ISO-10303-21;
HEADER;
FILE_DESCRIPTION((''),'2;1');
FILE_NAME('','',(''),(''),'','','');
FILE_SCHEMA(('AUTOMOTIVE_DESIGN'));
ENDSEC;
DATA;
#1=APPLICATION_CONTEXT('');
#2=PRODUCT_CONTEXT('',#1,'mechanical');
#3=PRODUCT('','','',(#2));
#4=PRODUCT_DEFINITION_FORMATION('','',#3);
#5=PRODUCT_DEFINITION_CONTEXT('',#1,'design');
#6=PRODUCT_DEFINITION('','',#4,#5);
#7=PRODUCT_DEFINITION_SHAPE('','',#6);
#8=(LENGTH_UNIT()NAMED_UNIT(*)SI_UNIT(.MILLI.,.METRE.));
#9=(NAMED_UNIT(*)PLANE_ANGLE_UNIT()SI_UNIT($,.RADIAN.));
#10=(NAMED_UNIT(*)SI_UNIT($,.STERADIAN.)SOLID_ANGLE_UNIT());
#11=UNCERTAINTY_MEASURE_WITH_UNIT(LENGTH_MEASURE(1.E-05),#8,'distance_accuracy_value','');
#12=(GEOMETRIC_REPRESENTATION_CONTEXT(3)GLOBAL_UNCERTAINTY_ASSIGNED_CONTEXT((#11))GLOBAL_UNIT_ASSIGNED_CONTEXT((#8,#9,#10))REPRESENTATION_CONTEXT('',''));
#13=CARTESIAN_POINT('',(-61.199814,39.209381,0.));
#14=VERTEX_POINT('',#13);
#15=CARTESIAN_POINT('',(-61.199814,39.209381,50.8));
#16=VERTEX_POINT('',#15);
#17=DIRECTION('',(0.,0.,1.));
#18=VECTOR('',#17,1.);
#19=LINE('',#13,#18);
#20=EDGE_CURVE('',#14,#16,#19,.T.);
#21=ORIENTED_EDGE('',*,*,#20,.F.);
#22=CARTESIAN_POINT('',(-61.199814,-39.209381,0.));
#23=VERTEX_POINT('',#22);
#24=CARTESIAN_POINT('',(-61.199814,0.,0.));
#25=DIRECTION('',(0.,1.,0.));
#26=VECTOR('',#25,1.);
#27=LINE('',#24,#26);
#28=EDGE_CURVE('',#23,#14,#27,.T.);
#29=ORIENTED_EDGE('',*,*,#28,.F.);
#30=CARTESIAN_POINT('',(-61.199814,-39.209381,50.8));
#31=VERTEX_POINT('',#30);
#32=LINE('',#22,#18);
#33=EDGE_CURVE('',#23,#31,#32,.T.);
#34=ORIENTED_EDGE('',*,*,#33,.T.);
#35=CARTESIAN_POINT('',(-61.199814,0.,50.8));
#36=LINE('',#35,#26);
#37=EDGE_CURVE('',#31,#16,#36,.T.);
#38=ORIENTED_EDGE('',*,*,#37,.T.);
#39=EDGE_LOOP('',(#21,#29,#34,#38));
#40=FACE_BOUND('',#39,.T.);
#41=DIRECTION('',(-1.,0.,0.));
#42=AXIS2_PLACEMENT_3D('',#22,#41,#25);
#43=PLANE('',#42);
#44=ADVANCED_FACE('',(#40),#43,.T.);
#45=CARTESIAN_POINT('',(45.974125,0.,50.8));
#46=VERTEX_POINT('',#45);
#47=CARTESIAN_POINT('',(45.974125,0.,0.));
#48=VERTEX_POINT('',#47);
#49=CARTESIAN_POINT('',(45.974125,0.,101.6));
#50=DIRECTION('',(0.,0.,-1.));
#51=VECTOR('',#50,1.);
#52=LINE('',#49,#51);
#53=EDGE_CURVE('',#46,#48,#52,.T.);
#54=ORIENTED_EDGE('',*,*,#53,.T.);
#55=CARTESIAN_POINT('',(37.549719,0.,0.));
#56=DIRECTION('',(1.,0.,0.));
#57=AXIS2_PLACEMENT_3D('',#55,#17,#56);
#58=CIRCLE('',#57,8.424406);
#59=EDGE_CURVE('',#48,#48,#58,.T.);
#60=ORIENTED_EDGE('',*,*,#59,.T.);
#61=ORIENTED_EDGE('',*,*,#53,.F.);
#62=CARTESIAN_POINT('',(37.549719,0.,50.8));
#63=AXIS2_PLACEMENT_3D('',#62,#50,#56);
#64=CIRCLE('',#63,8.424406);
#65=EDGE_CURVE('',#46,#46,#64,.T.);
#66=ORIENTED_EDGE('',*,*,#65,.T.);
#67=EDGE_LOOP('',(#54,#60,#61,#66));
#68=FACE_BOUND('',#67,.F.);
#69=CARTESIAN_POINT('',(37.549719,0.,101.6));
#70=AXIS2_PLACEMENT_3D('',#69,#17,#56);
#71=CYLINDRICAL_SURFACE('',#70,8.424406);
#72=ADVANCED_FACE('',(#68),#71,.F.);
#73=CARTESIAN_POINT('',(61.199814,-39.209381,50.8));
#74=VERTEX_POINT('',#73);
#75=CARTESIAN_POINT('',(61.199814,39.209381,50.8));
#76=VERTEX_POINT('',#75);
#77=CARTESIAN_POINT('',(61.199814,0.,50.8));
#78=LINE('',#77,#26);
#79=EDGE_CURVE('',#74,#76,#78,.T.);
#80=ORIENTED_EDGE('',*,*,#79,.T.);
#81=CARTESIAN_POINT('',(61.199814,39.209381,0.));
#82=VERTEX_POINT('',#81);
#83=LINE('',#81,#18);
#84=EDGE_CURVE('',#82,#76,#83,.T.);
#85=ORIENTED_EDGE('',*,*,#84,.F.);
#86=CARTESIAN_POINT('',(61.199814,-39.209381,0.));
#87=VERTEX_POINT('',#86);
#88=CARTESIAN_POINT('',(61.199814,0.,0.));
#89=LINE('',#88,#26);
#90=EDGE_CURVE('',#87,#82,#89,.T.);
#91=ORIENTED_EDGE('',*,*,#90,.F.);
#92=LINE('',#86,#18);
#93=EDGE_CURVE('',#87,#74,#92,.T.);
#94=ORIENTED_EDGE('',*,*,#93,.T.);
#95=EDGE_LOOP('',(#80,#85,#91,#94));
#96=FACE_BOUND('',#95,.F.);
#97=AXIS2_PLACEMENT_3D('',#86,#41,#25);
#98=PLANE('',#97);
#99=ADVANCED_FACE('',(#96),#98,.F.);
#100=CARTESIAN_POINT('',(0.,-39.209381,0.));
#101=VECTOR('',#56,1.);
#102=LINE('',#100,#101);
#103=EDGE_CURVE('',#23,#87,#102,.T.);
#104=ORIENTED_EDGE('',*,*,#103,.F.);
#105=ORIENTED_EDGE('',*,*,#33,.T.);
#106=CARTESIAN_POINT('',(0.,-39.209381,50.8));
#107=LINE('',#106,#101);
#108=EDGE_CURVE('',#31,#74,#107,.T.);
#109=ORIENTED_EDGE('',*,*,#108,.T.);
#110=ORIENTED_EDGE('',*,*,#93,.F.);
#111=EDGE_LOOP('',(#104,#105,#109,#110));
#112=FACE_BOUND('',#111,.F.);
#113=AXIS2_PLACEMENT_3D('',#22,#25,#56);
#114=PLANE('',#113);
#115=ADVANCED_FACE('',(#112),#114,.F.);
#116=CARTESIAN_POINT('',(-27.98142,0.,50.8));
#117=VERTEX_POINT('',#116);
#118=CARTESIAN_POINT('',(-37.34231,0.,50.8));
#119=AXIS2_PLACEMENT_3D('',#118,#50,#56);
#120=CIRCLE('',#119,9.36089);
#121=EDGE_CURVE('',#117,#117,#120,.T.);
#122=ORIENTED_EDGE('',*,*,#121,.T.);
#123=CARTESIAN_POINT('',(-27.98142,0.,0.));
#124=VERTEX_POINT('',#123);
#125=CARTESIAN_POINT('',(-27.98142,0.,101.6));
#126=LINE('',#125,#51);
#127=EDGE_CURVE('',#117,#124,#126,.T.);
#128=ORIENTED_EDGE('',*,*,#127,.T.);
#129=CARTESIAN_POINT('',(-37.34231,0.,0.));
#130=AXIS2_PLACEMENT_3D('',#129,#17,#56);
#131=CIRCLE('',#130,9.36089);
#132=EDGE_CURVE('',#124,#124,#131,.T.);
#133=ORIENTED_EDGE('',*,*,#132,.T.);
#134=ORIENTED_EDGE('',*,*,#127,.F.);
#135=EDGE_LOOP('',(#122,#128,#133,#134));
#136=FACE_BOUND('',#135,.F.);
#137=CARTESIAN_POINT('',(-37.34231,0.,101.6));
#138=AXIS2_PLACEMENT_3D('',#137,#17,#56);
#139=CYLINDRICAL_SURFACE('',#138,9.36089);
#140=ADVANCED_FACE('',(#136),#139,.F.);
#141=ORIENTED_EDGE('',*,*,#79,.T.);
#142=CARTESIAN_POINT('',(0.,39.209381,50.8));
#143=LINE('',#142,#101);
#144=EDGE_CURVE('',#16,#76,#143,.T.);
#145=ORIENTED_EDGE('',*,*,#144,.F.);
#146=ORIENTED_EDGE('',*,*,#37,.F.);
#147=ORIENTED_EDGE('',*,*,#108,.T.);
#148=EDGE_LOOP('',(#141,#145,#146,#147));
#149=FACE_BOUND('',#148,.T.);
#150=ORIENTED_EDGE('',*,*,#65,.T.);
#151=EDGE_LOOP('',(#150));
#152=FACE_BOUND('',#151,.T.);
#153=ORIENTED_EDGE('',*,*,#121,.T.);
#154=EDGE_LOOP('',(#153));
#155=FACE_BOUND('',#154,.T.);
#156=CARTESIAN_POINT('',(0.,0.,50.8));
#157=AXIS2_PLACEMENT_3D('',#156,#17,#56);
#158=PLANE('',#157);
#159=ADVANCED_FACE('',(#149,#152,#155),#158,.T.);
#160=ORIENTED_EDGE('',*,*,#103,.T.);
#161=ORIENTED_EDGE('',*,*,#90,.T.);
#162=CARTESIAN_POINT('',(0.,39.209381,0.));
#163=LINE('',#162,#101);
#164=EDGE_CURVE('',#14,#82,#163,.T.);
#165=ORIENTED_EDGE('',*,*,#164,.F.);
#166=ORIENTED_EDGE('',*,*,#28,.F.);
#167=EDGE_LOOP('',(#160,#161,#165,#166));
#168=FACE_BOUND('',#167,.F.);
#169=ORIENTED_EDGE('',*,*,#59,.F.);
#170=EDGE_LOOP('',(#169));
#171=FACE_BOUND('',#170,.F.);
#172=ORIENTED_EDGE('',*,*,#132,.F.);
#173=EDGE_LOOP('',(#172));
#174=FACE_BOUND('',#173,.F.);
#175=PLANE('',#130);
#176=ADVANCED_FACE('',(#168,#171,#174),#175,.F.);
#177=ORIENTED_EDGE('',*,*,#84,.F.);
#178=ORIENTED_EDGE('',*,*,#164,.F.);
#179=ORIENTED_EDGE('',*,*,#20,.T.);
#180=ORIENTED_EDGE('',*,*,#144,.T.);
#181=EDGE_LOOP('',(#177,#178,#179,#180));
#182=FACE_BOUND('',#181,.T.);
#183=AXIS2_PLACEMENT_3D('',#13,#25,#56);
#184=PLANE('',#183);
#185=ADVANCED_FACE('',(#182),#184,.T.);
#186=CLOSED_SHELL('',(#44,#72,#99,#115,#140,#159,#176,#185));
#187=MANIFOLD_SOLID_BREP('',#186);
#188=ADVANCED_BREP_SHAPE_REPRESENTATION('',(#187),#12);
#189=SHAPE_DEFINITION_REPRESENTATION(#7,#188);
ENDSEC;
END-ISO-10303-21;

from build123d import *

# Parameters (mm, degrees)
F0_W        = 122.399628
F0_H        = 78.418762
F1_DEPTH    = 50.8
F2_R        = 9.36089
F2_R_2      = 8.424406
F3_DEPTH    = 101.6
F3_FACE_R   = 9.36089
F3_FACE_R_2 = 8.424406
F4_DEPTH    = 101.6


with BuildPart() as f1:
    # F0 (on Top) → F1 (new body)
    with BuildSketch(Plane.XY):
        Rectangle(F0_W, F0_H)
    extrude(amount=F1_DEPTH)

    # F2 (on Top) → F3 (join)
    with BuildSketch(Plane.XY):
        with Locations((-37.34231, 0)):
            Circle(F2_R)
        with Locations((37.549719, 0)):
            Circle(F2_R_2)
    extrude(amount=F3_DEPTH)

    # F3_face (on face) → F4 (cut)
    with BuildSketch(Plane(origin=(-37.34231, 0, 101.6), x_dir=(1, 0, 0), z_dir=(0, 0, 1))):
        Circle(F3_FACE_R)
        with Locations((74.892029, 0)):
            Circle(F3_FACE_R_2)
    extrude(amount=-F4_DEPTH, mode=Mode.SUBTRACT)


solid = f1.part
